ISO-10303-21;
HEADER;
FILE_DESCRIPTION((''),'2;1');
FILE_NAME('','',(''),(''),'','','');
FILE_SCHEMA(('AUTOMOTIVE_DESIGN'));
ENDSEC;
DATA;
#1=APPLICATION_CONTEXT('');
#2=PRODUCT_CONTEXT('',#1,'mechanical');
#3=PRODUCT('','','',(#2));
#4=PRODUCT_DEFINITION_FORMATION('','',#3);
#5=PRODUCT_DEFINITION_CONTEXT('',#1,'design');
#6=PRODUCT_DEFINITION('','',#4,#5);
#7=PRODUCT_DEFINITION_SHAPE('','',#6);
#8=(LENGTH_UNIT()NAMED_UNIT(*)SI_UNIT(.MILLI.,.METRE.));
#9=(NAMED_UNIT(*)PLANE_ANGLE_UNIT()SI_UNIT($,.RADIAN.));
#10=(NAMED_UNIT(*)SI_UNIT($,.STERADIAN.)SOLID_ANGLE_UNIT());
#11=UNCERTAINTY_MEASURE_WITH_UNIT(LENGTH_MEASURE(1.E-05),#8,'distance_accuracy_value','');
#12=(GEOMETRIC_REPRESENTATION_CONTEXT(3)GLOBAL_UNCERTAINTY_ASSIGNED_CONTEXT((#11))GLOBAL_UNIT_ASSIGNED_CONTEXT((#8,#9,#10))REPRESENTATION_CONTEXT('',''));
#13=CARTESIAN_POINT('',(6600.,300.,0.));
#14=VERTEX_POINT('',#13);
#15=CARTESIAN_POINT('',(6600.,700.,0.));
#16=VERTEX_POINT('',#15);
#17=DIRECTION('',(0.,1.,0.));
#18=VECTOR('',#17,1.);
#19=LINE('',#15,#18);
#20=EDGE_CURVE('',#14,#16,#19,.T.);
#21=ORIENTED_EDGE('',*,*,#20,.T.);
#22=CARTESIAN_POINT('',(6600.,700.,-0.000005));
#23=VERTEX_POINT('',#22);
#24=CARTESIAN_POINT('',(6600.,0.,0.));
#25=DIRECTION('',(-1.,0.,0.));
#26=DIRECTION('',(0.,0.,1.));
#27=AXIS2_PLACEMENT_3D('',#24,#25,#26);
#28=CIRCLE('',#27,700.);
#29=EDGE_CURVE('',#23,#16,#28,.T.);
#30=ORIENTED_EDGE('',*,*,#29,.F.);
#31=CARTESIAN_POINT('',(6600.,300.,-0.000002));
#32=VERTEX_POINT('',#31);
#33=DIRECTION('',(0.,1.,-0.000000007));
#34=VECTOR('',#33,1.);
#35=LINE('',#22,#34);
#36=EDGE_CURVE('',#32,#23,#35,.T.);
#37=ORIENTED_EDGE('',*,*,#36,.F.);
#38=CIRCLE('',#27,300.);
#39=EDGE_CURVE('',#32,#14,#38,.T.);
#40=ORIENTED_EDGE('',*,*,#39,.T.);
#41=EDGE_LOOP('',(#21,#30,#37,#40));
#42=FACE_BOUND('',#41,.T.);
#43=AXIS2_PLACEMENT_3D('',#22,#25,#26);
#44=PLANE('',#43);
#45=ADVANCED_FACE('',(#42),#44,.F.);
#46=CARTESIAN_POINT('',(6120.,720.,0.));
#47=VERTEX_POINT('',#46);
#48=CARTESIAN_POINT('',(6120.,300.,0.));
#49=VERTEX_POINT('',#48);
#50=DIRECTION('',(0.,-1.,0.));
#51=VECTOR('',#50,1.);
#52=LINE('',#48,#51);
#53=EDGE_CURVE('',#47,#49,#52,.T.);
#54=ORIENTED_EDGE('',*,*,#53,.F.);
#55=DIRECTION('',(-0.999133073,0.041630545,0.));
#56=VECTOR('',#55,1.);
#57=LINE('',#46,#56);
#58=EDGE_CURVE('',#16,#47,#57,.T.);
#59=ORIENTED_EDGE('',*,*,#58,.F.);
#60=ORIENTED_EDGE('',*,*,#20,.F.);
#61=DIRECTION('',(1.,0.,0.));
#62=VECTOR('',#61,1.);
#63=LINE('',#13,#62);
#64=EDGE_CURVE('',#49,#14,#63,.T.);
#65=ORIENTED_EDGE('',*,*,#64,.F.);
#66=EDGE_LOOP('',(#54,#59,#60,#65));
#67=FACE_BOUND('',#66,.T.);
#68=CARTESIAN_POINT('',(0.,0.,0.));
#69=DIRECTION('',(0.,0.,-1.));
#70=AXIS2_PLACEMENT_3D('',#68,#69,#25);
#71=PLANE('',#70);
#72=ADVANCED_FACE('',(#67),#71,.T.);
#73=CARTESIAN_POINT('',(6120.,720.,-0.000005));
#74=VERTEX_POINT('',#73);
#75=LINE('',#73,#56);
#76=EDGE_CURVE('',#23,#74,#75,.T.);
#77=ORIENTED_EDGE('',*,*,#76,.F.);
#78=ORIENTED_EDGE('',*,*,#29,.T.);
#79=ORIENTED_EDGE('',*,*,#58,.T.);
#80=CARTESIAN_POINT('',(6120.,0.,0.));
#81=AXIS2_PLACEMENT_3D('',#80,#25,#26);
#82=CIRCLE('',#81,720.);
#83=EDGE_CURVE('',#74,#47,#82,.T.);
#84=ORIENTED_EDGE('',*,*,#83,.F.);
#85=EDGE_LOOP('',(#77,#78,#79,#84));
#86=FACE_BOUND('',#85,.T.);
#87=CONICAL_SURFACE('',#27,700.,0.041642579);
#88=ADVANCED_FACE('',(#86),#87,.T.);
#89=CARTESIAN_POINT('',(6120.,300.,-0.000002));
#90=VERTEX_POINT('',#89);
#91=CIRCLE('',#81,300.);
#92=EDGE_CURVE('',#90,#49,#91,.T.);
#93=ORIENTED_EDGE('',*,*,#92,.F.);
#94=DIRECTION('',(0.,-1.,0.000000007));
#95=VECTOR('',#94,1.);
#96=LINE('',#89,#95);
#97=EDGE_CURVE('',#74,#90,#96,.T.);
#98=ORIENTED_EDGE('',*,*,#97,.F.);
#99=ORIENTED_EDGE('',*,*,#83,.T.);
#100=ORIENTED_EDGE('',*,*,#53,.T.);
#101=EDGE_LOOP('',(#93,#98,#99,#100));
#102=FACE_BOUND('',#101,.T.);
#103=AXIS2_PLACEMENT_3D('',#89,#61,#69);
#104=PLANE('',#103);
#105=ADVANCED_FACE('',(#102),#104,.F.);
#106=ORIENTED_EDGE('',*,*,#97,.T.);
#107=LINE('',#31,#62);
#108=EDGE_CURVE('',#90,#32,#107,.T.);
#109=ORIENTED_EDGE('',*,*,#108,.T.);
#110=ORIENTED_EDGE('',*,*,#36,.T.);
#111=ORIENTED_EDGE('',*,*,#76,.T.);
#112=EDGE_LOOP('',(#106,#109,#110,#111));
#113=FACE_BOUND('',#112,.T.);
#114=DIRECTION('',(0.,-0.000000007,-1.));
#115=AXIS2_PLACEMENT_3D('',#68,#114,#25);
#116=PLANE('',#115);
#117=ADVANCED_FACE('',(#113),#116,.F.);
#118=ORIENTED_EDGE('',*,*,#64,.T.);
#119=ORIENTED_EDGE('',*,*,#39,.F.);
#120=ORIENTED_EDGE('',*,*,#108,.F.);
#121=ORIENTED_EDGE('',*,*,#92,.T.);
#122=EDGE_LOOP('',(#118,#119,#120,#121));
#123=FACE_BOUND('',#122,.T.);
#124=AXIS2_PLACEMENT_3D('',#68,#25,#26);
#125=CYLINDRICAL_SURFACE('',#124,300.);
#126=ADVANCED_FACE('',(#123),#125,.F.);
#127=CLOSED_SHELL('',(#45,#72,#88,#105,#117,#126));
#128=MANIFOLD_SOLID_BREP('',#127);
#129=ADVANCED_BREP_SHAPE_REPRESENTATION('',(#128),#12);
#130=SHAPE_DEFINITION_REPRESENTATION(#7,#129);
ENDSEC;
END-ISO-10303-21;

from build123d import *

# Parameters (mm, degrees)
REVOLVE1_ANGLE = 359.999999589


with BuildPart() as part:
    # Sketch1 → Revolve1 (revolve)
    with BuildSketch(Plane.XY):
        Polygon((6120, 300), (6120, 720), (6600, 700), (6600, 300), align=None)
    revolve(axis=Axis((0, 0, 0), (1, 0, 0)), revolution_arc=REVOLVE1_ANGLE)


solid = part.part
